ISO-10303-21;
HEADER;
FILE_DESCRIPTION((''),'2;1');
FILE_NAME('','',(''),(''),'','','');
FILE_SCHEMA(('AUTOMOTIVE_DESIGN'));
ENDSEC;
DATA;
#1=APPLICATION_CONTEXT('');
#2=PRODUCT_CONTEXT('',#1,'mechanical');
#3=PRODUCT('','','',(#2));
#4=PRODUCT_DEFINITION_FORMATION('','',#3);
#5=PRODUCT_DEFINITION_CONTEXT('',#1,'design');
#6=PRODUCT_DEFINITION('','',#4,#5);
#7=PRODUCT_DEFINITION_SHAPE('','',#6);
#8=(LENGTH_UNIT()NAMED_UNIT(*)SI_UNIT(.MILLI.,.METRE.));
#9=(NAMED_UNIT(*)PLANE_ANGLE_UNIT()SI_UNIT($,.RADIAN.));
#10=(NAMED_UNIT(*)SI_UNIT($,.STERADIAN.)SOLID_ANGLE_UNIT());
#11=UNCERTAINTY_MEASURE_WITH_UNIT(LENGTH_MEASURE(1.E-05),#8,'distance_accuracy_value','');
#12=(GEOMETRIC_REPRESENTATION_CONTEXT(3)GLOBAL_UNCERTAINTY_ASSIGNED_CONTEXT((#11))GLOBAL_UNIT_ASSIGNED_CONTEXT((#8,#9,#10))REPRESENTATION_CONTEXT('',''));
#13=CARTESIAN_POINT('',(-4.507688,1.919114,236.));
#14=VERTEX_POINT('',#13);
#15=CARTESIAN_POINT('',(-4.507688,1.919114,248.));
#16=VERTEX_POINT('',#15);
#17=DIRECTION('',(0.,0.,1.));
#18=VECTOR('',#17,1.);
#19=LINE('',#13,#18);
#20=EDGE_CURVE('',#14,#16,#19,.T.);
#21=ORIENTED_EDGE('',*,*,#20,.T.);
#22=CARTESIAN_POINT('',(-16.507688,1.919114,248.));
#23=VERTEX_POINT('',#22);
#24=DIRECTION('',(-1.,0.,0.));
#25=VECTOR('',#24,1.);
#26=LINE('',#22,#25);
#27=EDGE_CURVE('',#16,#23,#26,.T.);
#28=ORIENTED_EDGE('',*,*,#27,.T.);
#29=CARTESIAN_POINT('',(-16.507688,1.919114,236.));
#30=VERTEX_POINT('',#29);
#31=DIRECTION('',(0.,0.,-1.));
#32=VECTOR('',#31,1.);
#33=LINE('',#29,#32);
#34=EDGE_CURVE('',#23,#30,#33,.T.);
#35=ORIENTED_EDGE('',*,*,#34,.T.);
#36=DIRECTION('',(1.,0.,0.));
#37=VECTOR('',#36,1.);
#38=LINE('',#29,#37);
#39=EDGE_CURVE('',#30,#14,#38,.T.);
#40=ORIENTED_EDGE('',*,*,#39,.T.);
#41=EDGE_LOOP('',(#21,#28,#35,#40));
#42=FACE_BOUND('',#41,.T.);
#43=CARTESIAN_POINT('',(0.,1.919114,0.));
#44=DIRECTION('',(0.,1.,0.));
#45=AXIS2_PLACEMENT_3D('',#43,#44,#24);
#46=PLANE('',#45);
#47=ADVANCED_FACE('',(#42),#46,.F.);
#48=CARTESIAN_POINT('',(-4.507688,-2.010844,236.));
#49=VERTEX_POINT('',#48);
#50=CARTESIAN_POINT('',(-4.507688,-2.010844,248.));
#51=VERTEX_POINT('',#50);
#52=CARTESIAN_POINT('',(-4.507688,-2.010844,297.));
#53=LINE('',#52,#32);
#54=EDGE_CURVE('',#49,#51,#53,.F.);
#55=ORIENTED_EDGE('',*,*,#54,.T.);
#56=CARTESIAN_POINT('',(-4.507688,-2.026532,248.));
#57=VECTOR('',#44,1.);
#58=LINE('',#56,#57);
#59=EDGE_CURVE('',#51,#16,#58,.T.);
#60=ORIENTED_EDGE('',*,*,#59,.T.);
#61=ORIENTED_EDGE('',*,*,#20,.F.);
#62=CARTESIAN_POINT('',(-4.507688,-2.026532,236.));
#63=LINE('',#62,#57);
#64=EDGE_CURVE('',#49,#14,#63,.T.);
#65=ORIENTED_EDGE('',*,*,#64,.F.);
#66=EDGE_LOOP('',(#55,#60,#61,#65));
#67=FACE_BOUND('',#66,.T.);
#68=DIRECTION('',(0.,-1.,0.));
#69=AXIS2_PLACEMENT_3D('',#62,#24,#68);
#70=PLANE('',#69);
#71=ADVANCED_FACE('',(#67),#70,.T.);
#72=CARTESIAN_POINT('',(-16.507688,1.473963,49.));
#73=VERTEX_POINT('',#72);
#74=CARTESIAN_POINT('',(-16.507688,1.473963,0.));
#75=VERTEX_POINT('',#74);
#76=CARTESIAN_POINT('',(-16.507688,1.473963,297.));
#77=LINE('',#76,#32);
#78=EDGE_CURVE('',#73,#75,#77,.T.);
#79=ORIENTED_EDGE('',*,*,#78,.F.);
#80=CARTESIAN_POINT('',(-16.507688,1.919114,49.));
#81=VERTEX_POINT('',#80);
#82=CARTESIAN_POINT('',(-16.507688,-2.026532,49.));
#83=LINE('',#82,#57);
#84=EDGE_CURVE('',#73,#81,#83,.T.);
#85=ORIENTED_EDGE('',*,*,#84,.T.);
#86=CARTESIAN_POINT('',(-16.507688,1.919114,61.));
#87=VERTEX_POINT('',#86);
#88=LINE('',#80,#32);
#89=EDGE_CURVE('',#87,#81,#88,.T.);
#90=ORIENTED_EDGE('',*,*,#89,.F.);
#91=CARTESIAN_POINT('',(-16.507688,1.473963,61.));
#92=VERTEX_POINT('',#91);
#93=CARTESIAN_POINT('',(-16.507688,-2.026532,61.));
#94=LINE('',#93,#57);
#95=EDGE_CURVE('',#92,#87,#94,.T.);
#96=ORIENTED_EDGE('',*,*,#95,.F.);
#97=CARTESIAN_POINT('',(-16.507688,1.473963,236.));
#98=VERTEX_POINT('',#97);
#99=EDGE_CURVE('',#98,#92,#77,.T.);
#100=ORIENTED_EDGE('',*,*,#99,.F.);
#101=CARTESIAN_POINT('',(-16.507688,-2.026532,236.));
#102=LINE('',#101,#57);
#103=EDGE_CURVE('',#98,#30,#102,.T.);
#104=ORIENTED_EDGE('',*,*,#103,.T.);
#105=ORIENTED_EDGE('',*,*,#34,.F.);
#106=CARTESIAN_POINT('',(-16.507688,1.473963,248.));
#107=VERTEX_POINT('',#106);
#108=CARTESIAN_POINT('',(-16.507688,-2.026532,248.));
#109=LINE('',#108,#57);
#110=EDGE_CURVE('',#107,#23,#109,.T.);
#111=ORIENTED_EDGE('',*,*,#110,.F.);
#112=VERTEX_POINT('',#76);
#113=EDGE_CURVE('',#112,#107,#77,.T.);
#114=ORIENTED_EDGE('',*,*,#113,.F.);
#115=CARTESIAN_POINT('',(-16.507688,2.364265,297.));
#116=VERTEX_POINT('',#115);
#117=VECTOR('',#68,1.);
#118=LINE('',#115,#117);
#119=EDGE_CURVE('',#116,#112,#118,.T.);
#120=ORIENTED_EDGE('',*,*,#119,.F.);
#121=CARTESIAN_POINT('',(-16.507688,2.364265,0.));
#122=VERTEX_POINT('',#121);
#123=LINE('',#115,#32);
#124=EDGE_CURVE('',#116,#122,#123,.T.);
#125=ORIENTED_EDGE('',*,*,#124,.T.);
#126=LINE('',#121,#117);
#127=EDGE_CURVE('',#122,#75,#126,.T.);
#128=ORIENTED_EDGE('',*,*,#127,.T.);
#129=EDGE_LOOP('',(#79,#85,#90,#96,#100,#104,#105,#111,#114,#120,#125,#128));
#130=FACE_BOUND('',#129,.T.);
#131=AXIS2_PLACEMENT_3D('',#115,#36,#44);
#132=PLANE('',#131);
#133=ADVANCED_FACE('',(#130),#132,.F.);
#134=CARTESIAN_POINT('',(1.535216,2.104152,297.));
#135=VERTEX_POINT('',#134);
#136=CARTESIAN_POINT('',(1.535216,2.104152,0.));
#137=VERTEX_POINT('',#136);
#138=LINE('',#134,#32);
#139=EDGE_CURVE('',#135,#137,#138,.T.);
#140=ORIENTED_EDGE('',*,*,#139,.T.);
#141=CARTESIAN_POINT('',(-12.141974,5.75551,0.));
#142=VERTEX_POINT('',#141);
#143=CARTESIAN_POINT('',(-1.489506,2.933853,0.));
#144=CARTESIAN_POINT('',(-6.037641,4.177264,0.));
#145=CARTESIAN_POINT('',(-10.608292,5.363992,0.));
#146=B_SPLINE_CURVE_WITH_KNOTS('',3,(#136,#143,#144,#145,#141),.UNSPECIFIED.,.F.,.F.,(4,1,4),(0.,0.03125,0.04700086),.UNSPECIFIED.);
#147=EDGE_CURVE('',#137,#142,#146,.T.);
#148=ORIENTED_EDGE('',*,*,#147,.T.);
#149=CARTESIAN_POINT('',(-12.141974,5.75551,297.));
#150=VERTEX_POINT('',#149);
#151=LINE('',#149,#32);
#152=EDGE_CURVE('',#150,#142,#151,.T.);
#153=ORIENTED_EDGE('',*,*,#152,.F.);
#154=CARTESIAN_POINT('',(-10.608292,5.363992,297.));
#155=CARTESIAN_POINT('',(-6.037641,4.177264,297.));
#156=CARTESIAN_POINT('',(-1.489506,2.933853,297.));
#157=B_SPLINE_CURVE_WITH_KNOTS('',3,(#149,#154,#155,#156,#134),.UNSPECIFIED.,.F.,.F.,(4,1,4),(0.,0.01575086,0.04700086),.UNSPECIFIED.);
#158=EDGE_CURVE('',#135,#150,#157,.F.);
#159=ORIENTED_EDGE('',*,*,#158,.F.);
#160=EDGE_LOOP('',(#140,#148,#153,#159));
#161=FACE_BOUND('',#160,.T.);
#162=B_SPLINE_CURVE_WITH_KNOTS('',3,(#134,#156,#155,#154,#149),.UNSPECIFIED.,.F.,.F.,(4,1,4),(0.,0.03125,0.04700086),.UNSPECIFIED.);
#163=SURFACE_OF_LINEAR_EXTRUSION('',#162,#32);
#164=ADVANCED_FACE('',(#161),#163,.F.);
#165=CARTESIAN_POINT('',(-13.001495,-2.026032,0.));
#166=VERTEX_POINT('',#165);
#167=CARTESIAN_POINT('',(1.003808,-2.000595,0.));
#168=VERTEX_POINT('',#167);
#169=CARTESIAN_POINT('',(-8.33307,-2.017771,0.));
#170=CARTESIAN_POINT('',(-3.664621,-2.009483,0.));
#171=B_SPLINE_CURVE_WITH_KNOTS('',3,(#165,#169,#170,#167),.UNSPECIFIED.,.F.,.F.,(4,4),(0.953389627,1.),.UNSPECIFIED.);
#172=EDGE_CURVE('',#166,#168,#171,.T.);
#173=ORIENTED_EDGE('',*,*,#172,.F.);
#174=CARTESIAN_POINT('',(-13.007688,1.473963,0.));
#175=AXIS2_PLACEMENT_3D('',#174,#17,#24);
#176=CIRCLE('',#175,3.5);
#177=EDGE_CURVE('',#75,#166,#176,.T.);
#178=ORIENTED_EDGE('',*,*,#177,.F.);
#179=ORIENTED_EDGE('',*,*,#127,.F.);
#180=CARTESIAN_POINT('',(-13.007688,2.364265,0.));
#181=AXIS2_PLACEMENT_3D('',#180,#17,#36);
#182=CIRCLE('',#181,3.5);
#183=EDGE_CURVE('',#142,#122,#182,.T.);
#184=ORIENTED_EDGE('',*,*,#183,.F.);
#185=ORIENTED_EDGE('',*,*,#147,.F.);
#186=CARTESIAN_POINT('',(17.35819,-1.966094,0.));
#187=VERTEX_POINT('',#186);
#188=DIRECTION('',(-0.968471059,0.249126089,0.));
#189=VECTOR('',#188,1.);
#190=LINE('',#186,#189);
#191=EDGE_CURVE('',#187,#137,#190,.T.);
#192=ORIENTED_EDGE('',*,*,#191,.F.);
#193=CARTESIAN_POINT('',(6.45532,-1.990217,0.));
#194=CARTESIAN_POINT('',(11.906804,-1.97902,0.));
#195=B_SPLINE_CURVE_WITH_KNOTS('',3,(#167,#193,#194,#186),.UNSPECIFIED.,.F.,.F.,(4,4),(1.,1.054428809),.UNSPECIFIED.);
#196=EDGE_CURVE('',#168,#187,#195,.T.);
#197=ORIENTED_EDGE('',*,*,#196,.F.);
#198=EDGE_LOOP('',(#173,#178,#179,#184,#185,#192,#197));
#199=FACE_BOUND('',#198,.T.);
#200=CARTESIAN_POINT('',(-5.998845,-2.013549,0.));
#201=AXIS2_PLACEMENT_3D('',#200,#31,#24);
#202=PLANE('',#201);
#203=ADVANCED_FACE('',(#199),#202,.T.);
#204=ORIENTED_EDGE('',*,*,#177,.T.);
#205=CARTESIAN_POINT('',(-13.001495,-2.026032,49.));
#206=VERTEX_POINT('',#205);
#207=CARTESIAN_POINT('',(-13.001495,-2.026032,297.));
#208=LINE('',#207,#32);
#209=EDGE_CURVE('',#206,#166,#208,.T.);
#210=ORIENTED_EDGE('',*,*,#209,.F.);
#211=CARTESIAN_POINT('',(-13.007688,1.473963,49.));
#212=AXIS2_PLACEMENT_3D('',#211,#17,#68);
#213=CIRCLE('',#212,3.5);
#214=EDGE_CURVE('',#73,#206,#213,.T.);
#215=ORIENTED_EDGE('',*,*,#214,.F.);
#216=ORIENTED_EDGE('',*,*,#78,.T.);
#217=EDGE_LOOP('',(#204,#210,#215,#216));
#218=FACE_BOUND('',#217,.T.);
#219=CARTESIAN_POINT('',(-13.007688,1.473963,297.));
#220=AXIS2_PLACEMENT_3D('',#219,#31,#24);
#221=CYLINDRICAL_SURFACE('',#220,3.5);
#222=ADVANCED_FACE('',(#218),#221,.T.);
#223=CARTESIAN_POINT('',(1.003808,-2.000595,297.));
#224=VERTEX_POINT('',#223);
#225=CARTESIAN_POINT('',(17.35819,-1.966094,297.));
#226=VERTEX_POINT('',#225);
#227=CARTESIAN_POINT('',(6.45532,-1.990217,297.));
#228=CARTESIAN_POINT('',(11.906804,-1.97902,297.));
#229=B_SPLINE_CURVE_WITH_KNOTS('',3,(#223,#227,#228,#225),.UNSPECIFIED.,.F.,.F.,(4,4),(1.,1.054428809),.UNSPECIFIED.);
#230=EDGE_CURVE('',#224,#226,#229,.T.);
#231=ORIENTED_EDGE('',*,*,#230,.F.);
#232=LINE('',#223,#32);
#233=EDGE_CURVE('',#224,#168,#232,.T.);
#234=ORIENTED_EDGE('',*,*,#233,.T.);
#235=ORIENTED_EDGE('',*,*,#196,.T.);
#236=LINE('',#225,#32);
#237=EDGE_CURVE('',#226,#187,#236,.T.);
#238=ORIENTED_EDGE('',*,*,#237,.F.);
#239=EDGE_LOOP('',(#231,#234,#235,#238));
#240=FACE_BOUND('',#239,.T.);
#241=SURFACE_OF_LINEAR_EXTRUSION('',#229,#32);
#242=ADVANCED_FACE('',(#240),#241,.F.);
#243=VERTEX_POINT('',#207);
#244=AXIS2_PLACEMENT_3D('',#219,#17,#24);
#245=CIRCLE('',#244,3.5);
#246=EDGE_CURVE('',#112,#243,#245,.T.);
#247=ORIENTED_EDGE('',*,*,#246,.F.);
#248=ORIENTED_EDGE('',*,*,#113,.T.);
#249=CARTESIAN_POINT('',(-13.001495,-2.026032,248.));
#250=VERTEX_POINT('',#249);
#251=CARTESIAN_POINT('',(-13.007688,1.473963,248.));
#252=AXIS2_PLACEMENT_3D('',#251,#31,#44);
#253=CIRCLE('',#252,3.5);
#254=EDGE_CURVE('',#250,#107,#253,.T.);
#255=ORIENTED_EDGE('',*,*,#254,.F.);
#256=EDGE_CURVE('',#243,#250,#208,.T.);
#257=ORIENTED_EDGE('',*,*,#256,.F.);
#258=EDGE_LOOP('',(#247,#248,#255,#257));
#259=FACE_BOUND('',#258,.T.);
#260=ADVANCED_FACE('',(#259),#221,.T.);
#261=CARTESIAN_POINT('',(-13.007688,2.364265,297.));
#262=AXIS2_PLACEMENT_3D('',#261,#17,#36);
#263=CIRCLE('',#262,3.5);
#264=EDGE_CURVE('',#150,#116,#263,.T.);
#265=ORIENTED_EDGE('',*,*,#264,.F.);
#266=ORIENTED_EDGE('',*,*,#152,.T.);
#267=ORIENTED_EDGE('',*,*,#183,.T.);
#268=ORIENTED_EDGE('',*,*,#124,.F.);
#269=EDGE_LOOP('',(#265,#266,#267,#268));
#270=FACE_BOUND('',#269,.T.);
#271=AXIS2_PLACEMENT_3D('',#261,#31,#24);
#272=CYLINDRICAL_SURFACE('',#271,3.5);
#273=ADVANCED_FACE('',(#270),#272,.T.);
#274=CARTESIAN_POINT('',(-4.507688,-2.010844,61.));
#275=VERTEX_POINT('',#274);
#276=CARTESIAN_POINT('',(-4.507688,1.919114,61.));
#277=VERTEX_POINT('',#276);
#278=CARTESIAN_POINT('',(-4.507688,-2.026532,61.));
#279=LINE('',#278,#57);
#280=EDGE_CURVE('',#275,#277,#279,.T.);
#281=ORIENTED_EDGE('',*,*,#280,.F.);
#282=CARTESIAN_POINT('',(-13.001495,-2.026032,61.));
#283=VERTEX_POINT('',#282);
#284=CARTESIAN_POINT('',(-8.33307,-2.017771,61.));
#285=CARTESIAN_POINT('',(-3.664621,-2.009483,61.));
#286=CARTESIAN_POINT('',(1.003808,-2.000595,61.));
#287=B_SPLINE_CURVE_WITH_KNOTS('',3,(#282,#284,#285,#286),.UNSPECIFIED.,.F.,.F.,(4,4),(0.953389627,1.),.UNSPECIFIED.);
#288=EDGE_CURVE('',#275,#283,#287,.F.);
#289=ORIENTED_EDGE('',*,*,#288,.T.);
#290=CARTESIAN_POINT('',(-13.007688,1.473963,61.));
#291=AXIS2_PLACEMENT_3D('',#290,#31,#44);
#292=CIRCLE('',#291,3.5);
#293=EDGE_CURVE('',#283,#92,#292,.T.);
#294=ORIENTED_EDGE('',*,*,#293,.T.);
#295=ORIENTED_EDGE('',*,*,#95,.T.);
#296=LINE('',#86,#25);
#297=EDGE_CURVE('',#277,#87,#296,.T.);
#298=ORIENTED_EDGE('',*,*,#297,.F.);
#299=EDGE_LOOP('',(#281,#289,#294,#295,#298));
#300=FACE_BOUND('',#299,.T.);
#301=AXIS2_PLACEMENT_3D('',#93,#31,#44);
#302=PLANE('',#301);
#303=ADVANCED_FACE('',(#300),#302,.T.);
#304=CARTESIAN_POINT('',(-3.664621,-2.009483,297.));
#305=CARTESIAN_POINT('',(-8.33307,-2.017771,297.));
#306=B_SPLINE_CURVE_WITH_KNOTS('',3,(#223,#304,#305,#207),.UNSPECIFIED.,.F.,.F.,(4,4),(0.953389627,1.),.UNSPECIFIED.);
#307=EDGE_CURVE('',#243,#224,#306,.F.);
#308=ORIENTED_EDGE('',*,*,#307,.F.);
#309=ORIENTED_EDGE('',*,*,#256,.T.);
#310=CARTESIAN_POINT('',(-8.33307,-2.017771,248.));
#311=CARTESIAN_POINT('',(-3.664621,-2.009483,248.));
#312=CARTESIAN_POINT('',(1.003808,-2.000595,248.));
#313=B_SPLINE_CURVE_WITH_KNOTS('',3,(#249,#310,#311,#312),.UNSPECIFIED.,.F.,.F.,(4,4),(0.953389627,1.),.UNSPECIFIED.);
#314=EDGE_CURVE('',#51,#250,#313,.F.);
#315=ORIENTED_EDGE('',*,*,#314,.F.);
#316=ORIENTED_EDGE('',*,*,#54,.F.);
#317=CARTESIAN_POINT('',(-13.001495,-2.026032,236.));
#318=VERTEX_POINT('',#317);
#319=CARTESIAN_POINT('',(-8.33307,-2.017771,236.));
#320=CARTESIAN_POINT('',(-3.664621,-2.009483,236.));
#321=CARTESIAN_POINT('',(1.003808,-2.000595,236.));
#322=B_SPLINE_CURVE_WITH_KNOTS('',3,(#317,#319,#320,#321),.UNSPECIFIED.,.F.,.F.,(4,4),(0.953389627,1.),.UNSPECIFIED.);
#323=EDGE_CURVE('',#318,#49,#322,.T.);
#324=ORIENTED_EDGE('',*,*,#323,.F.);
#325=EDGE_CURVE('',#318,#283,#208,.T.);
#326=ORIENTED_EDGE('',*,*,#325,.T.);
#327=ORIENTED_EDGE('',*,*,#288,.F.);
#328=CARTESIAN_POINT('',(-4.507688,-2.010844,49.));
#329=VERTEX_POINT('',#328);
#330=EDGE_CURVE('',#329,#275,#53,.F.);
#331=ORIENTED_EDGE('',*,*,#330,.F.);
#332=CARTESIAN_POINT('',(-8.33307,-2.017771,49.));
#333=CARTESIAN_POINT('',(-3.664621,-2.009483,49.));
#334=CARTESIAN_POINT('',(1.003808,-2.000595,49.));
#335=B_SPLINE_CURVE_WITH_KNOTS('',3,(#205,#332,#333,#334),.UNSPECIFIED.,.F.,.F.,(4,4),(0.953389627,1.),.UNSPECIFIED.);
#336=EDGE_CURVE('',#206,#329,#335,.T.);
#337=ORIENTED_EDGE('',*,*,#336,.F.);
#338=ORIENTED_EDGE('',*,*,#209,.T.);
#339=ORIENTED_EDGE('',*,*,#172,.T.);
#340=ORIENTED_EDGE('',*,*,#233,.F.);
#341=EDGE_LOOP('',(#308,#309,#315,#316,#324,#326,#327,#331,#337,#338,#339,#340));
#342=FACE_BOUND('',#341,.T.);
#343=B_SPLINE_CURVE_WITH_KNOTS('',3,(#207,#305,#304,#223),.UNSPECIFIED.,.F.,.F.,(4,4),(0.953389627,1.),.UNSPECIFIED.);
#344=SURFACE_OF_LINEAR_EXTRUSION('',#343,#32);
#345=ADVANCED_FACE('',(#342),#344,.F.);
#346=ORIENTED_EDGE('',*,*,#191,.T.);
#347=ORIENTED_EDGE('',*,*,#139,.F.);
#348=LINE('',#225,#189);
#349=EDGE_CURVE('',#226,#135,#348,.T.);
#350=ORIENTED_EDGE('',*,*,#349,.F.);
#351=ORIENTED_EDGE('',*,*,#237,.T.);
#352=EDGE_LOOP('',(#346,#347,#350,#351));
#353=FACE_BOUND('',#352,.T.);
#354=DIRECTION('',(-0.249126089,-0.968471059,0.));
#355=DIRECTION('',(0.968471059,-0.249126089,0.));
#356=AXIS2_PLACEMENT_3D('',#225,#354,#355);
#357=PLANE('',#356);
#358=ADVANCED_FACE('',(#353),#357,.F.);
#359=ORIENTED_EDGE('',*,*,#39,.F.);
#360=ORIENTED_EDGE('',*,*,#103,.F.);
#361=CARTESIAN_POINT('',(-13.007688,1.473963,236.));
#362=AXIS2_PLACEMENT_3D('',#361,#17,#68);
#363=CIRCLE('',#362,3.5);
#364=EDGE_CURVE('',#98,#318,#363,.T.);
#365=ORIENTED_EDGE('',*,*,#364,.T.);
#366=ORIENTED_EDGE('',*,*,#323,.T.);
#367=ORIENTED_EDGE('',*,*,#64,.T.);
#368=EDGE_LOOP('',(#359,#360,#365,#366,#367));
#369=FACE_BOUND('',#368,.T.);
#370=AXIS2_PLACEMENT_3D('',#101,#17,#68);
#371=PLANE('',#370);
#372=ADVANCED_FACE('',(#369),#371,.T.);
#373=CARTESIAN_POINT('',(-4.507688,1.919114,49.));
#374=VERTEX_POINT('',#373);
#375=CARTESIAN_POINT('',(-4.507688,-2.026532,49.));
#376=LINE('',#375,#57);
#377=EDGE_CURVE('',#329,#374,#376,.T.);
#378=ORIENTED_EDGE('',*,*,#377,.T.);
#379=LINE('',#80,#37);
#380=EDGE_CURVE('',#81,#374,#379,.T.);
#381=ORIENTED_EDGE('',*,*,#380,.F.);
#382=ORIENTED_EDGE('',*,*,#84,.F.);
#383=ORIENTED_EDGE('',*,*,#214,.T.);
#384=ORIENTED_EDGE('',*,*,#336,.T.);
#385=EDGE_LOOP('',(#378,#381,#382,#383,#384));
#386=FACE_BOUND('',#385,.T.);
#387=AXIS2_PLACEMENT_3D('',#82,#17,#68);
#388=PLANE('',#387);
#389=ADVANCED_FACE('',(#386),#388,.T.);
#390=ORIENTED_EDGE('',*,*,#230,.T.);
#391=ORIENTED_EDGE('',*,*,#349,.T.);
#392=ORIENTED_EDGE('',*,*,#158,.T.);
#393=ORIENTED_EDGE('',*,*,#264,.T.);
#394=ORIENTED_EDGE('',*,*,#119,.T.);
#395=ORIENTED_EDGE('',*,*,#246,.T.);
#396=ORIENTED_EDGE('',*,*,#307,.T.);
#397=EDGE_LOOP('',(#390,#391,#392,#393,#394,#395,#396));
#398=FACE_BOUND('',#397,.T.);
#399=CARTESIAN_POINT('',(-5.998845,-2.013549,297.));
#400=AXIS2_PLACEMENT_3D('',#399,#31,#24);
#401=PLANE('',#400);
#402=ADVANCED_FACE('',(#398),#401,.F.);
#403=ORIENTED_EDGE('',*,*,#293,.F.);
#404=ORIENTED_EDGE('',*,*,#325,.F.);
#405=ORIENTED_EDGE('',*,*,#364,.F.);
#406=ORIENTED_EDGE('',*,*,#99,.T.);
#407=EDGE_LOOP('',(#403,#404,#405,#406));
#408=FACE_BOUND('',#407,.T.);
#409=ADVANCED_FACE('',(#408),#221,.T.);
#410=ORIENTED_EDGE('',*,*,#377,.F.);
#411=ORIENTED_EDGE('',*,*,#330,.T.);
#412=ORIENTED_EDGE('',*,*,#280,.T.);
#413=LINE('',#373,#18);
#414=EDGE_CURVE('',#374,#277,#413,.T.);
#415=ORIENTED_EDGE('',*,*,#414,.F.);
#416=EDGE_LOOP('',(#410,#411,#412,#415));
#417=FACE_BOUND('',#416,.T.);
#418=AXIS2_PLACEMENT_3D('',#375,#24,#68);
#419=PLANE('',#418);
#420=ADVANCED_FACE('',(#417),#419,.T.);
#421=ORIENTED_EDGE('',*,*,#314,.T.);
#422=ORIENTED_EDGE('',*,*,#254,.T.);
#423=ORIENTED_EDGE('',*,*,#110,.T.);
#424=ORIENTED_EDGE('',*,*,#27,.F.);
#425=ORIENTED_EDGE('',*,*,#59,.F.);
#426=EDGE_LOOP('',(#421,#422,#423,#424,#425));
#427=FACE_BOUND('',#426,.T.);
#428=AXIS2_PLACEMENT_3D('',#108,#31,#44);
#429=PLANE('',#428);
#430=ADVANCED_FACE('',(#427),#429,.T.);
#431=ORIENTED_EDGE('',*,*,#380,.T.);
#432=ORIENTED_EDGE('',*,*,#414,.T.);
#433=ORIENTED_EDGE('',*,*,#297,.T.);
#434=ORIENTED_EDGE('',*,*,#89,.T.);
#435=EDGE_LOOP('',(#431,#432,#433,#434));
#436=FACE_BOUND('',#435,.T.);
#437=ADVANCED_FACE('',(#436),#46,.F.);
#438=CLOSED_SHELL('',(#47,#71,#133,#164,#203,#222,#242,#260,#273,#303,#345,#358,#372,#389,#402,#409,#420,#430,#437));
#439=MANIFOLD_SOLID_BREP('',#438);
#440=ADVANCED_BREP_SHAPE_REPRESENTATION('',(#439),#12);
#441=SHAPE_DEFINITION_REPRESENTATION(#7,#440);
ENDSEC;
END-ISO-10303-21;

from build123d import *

# Parameters (mm, degrees)
BOSS_EXTRUDE1_DEPTH = 297
SKETCH2_W           = 12
SKETCH2_H           = 12
CUT_EXTRUDE1_DEPTH  = 4.945151286


with BuildPart() as part:
    # Sketch1 → Boss-Extrude1 (new body)
    with BuildSketch(Plane.XY):
        with BuildLine():
            Line((-16.507687929, 2.364265208), (-16.507687929, 1.473962835))
            ThreePointArc((-16.507687929, 1.473962835), (-15.480371114, -1.003099511), (-13.001494862, -2.026031686))
            add(Edge.make_bspline(
                [(-13.001494862, -2.026031686), (-8.333069772, -2.017771139), (-3.664620889, -2.009483171), (1.003807611, -2.000595376)],
                knots=[0.953389627, 0.953389627, 0.953389627, 0.953389627, 1, 1, 1, 1], degree=3))
            add(Edge.make_bspline(
                [(1.003807611, -2.000595376), (6.455319533, -1.990216739), (11.906803659, -1.979020166), (17.35818964, -1.966094188)],
                knots=[1, 1, 1, 1, 1.054428809, 1.054428809, 1.054428809, 1.054428809], degree=3))
            Line((17.35818964, -1.966094188), (1.535215778, 2.104151955))
            add(Edge.make_bspline(
                [(1.535215778, 2.104151955), (-1.489505662, 2.933853479), (-6.037640577, 4.177264079), (-10.60829151, 5.363992379), (-12.14197353, 5.755509607)],
                knots=[0, 0, 0, 0, 0.03125, 0.04700086, 0.04700086, 0.04700086, 0.04700086], degree=3))
            ThreePointArc((-12.14197353, 5.755509607), (-15.154778938, 5.128320236), (-16.507687929, 2.364265208))
        make_face()
    extrude(amount=BOSS_EXTRUDE1_DEPTH)

    # Sketch2 → Cut-Extrude1 (cut, through all)
    with BuildSketch(Plane.XZ.offset(-1.919114021)):
        with Locations((-10.507687929, 242)):
            Rectangle(SKETCH2_W, SKETCH2_H)
        with Locations((-10.507687929, 55)):
            Rectangle(SKETCH2_W, SKETCH2_H)
    extrude(amount=CUT_EXTRUDE1_DEPTH, mode=Mode.SUBTRACT)


solid = part.part
